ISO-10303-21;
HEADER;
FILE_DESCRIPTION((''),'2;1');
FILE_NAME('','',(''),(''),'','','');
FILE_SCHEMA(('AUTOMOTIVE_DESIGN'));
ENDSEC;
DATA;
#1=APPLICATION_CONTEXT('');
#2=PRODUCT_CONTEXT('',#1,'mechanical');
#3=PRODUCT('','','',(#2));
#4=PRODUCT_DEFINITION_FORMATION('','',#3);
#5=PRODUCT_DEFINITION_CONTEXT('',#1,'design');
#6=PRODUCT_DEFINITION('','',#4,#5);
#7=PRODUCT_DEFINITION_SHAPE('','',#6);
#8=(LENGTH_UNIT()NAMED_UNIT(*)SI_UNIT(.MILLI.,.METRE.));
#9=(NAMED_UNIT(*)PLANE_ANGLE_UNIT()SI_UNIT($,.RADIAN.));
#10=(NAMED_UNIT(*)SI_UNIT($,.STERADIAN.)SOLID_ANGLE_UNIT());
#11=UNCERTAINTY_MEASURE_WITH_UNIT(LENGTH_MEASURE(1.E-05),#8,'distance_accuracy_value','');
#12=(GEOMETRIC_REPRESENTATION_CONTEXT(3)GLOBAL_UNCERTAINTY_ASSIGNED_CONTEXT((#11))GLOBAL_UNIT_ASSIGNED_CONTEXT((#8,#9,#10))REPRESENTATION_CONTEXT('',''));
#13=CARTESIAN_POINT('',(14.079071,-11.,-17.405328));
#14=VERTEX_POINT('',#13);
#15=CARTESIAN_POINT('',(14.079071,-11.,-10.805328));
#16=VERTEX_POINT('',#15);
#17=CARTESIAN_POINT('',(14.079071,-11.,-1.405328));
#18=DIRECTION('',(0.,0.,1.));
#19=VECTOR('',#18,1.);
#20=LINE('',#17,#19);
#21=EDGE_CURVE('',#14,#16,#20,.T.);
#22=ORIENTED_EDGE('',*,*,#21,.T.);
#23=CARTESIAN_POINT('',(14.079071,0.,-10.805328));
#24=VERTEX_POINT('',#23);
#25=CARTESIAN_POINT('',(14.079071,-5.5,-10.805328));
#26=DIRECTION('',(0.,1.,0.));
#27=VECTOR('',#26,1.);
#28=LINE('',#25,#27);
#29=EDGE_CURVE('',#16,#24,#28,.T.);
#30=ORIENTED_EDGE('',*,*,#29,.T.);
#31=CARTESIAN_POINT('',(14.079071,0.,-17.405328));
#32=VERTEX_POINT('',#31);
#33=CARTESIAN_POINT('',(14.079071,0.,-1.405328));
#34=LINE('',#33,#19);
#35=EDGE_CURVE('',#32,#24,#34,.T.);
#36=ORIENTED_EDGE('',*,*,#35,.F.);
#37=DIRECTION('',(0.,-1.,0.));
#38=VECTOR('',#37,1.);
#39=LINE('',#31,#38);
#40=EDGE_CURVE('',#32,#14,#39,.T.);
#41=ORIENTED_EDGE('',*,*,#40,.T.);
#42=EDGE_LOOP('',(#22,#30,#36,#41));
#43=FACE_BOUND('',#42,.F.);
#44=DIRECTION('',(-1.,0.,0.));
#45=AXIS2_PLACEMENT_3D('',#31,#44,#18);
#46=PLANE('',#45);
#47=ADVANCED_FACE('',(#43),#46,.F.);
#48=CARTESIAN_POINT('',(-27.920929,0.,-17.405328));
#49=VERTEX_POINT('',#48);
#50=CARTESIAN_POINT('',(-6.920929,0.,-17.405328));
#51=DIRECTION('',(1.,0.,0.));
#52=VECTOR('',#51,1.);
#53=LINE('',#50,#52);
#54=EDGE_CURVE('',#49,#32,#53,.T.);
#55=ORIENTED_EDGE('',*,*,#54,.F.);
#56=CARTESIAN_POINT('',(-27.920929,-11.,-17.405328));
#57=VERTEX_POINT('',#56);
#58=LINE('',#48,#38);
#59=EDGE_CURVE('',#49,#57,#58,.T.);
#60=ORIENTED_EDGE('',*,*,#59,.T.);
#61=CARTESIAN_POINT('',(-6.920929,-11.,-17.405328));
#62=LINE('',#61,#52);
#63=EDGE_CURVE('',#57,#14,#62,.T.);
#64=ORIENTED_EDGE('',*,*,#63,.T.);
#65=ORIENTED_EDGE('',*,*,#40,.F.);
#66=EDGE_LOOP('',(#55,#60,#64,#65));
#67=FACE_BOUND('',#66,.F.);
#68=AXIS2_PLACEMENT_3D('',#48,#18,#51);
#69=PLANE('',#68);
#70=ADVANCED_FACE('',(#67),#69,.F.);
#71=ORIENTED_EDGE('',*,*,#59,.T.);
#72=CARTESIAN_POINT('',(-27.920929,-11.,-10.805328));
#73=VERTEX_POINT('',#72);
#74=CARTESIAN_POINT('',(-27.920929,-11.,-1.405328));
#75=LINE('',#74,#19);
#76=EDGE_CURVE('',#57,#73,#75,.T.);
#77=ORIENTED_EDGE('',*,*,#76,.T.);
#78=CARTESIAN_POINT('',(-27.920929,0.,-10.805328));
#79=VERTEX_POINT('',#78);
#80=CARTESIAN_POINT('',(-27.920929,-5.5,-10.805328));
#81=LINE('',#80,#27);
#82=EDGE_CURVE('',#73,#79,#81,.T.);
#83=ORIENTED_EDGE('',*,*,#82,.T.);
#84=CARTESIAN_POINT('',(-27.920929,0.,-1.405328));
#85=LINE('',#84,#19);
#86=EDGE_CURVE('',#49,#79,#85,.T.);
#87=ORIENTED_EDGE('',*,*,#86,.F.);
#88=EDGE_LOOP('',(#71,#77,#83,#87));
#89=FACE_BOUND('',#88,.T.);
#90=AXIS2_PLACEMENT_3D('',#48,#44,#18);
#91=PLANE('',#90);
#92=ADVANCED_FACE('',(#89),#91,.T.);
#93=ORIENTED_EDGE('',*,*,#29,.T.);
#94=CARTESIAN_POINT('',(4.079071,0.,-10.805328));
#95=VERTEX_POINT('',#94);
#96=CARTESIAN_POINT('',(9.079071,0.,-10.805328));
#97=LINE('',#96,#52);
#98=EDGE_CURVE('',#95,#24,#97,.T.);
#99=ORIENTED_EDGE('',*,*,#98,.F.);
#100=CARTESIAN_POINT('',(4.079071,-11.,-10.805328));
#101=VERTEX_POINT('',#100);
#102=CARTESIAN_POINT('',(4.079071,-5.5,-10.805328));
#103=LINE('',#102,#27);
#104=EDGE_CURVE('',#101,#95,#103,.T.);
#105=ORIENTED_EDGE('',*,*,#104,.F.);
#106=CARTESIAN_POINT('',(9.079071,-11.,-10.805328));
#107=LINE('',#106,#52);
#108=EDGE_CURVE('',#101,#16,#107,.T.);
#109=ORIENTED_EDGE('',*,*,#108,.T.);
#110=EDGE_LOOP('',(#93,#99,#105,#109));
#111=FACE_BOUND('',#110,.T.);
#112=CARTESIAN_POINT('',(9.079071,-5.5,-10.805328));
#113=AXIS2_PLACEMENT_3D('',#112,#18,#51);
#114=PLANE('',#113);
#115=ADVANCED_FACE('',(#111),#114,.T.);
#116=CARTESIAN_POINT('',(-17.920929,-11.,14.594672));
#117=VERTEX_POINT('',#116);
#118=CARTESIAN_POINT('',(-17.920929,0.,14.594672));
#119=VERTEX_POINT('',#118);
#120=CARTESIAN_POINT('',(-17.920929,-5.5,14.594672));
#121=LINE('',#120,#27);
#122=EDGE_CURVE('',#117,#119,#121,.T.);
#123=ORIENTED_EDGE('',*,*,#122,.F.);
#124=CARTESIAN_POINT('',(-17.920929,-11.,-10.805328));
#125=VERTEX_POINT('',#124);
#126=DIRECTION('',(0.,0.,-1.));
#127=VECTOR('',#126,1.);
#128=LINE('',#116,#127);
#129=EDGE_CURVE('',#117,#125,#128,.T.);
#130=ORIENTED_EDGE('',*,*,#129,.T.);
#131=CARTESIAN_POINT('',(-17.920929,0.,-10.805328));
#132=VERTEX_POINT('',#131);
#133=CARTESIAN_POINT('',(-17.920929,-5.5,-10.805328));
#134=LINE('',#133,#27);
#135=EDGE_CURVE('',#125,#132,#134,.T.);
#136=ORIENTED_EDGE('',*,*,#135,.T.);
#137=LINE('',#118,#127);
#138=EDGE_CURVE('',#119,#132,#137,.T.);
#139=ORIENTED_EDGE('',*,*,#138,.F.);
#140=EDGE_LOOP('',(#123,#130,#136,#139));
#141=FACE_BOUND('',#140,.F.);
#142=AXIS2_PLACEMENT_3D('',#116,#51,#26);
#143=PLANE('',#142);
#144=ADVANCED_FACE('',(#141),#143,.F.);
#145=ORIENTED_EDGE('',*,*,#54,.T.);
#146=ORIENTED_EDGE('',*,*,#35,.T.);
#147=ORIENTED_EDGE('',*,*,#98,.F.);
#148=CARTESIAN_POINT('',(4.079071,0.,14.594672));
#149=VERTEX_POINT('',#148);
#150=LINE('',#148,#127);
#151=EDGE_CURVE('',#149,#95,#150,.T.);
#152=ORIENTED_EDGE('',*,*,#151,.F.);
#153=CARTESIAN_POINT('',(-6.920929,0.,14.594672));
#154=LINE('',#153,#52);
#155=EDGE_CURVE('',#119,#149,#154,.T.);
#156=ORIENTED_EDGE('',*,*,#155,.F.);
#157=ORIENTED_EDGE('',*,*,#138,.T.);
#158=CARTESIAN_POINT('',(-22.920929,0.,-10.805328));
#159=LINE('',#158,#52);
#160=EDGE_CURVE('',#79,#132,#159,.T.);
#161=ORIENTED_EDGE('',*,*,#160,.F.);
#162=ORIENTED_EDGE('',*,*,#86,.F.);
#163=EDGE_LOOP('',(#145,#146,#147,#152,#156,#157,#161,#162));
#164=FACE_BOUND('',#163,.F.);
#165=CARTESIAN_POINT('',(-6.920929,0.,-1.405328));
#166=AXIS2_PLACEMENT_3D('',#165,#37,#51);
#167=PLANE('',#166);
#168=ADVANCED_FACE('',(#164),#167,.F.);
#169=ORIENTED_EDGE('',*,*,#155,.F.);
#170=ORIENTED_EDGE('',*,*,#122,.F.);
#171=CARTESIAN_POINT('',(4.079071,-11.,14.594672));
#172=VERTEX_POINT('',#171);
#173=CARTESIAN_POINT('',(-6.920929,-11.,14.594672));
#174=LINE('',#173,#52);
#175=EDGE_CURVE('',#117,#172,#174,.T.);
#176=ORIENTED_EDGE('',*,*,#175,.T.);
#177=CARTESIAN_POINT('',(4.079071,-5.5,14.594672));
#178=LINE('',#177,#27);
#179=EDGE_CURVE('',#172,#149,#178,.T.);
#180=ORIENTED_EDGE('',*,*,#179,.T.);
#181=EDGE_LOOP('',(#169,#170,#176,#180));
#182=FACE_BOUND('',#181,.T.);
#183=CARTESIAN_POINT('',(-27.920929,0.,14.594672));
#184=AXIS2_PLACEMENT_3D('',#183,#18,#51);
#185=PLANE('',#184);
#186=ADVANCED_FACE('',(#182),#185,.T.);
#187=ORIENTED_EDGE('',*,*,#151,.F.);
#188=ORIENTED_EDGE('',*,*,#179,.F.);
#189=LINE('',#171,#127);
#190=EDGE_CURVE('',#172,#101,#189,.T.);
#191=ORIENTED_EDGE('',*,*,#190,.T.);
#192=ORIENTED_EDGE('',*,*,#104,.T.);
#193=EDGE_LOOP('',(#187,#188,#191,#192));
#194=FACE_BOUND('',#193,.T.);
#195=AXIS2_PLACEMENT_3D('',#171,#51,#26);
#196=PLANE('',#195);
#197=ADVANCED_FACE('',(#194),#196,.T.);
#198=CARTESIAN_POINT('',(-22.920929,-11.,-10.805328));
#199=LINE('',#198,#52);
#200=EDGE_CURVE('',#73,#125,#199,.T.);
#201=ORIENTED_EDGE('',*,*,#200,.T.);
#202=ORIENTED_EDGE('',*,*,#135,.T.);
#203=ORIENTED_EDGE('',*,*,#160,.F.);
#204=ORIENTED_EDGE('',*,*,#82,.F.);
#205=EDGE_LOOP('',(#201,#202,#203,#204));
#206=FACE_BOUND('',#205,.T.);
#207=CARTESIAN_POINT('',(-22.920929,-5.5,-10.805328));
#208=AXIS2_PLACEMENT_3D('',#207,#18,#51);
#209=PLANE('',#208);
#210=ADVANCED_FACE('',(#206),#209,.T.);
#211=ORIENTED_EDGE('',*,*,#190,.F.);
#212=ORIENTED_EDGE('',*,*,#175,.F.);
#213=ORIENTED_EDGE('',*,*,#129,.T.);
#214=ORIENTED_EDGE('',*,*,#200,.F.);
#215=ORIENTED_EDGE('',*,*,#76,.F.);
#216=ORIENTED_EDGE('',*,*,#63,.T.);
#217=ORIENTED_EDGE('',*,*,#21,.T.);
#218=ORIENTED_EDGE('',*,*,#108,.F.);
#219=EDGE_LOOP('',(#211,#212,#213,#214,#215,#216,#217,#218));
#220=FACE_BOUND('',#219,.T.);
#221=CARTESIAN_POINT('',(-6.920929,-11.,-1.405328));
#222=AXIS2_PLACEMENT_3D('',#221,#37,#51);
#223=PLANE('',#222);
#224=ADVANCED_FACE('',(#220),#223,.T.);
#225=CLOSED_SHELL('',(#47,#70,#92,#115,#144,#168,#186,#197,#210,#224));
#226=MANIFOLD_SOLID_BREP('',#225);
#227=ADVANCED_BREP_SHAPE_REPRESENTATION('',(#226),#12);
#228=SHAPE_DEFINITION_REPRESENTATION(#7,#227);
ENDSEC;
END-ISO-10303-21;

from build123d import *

# Parameters (mm, degrees)
F0_W     = 42
F0_H     = 32
F1_DEPTH = 11
F2_W     = 10
F2_H     = 11
F3_DEPTH = 25.4
F4_DEPTH = 25.4
F7_DEPTH = 1.525342


with BuildPart() as f1:
    # F0 (on Front) → F1 (new body)
    with BuildSketch(Plane.XZ):
        with Locations((-6.920929, -1.405328)):
            Rectangle(F0_W, F0_H)
    extrude(amount=F1_DEPTH)

    # F2 (on face) → F3 (cut)
    with BuildSketch(Plane.XY.offset(14.594672)):
        with Locations((-22.920929, -5.5)):
            Rectangle(F2_W, F2_H)
    extrude(amount=-F3_DEPTH, mode=Mode.SUBTRACT)

    # F2 (on face) → F4 (cut)
    with BuildSketch(Plane.XY.offset(14.594672)):
        with Locations((9.079071, -5.5)):
            Rectangle(F2_W, F2_H)
    extrude(amount=-F4_DEPTH, mode=Mode.SUBTRACT)

    # F6 (on face) → F7 (join)
    with BuildSketch(Plane(origin=(0, 0, 0), x_dir=(-1, 0, 0), z_dir=(0, 1, 0))):
        with BuildLine():
            ThreePointArc((14.309347, 11.993863), (13.754616, 12.312149), (13.150224, 12.521295))
            ThreePointArc((13.150224, 12.521295), (12.905231, 11.705894), (13.101386, 10.877388))
            ThreePointArc((13.101386, 10.877388), (13.439924, 11.24292), (13.917749, 11.384008))
            ThreePointArc((13.917749, 11.384008), (14.074362, 11.714097), (14.309347, 11.993863))
        make_face()
    extrude(amount=-F7_DEPTH)


solid = f1.part
